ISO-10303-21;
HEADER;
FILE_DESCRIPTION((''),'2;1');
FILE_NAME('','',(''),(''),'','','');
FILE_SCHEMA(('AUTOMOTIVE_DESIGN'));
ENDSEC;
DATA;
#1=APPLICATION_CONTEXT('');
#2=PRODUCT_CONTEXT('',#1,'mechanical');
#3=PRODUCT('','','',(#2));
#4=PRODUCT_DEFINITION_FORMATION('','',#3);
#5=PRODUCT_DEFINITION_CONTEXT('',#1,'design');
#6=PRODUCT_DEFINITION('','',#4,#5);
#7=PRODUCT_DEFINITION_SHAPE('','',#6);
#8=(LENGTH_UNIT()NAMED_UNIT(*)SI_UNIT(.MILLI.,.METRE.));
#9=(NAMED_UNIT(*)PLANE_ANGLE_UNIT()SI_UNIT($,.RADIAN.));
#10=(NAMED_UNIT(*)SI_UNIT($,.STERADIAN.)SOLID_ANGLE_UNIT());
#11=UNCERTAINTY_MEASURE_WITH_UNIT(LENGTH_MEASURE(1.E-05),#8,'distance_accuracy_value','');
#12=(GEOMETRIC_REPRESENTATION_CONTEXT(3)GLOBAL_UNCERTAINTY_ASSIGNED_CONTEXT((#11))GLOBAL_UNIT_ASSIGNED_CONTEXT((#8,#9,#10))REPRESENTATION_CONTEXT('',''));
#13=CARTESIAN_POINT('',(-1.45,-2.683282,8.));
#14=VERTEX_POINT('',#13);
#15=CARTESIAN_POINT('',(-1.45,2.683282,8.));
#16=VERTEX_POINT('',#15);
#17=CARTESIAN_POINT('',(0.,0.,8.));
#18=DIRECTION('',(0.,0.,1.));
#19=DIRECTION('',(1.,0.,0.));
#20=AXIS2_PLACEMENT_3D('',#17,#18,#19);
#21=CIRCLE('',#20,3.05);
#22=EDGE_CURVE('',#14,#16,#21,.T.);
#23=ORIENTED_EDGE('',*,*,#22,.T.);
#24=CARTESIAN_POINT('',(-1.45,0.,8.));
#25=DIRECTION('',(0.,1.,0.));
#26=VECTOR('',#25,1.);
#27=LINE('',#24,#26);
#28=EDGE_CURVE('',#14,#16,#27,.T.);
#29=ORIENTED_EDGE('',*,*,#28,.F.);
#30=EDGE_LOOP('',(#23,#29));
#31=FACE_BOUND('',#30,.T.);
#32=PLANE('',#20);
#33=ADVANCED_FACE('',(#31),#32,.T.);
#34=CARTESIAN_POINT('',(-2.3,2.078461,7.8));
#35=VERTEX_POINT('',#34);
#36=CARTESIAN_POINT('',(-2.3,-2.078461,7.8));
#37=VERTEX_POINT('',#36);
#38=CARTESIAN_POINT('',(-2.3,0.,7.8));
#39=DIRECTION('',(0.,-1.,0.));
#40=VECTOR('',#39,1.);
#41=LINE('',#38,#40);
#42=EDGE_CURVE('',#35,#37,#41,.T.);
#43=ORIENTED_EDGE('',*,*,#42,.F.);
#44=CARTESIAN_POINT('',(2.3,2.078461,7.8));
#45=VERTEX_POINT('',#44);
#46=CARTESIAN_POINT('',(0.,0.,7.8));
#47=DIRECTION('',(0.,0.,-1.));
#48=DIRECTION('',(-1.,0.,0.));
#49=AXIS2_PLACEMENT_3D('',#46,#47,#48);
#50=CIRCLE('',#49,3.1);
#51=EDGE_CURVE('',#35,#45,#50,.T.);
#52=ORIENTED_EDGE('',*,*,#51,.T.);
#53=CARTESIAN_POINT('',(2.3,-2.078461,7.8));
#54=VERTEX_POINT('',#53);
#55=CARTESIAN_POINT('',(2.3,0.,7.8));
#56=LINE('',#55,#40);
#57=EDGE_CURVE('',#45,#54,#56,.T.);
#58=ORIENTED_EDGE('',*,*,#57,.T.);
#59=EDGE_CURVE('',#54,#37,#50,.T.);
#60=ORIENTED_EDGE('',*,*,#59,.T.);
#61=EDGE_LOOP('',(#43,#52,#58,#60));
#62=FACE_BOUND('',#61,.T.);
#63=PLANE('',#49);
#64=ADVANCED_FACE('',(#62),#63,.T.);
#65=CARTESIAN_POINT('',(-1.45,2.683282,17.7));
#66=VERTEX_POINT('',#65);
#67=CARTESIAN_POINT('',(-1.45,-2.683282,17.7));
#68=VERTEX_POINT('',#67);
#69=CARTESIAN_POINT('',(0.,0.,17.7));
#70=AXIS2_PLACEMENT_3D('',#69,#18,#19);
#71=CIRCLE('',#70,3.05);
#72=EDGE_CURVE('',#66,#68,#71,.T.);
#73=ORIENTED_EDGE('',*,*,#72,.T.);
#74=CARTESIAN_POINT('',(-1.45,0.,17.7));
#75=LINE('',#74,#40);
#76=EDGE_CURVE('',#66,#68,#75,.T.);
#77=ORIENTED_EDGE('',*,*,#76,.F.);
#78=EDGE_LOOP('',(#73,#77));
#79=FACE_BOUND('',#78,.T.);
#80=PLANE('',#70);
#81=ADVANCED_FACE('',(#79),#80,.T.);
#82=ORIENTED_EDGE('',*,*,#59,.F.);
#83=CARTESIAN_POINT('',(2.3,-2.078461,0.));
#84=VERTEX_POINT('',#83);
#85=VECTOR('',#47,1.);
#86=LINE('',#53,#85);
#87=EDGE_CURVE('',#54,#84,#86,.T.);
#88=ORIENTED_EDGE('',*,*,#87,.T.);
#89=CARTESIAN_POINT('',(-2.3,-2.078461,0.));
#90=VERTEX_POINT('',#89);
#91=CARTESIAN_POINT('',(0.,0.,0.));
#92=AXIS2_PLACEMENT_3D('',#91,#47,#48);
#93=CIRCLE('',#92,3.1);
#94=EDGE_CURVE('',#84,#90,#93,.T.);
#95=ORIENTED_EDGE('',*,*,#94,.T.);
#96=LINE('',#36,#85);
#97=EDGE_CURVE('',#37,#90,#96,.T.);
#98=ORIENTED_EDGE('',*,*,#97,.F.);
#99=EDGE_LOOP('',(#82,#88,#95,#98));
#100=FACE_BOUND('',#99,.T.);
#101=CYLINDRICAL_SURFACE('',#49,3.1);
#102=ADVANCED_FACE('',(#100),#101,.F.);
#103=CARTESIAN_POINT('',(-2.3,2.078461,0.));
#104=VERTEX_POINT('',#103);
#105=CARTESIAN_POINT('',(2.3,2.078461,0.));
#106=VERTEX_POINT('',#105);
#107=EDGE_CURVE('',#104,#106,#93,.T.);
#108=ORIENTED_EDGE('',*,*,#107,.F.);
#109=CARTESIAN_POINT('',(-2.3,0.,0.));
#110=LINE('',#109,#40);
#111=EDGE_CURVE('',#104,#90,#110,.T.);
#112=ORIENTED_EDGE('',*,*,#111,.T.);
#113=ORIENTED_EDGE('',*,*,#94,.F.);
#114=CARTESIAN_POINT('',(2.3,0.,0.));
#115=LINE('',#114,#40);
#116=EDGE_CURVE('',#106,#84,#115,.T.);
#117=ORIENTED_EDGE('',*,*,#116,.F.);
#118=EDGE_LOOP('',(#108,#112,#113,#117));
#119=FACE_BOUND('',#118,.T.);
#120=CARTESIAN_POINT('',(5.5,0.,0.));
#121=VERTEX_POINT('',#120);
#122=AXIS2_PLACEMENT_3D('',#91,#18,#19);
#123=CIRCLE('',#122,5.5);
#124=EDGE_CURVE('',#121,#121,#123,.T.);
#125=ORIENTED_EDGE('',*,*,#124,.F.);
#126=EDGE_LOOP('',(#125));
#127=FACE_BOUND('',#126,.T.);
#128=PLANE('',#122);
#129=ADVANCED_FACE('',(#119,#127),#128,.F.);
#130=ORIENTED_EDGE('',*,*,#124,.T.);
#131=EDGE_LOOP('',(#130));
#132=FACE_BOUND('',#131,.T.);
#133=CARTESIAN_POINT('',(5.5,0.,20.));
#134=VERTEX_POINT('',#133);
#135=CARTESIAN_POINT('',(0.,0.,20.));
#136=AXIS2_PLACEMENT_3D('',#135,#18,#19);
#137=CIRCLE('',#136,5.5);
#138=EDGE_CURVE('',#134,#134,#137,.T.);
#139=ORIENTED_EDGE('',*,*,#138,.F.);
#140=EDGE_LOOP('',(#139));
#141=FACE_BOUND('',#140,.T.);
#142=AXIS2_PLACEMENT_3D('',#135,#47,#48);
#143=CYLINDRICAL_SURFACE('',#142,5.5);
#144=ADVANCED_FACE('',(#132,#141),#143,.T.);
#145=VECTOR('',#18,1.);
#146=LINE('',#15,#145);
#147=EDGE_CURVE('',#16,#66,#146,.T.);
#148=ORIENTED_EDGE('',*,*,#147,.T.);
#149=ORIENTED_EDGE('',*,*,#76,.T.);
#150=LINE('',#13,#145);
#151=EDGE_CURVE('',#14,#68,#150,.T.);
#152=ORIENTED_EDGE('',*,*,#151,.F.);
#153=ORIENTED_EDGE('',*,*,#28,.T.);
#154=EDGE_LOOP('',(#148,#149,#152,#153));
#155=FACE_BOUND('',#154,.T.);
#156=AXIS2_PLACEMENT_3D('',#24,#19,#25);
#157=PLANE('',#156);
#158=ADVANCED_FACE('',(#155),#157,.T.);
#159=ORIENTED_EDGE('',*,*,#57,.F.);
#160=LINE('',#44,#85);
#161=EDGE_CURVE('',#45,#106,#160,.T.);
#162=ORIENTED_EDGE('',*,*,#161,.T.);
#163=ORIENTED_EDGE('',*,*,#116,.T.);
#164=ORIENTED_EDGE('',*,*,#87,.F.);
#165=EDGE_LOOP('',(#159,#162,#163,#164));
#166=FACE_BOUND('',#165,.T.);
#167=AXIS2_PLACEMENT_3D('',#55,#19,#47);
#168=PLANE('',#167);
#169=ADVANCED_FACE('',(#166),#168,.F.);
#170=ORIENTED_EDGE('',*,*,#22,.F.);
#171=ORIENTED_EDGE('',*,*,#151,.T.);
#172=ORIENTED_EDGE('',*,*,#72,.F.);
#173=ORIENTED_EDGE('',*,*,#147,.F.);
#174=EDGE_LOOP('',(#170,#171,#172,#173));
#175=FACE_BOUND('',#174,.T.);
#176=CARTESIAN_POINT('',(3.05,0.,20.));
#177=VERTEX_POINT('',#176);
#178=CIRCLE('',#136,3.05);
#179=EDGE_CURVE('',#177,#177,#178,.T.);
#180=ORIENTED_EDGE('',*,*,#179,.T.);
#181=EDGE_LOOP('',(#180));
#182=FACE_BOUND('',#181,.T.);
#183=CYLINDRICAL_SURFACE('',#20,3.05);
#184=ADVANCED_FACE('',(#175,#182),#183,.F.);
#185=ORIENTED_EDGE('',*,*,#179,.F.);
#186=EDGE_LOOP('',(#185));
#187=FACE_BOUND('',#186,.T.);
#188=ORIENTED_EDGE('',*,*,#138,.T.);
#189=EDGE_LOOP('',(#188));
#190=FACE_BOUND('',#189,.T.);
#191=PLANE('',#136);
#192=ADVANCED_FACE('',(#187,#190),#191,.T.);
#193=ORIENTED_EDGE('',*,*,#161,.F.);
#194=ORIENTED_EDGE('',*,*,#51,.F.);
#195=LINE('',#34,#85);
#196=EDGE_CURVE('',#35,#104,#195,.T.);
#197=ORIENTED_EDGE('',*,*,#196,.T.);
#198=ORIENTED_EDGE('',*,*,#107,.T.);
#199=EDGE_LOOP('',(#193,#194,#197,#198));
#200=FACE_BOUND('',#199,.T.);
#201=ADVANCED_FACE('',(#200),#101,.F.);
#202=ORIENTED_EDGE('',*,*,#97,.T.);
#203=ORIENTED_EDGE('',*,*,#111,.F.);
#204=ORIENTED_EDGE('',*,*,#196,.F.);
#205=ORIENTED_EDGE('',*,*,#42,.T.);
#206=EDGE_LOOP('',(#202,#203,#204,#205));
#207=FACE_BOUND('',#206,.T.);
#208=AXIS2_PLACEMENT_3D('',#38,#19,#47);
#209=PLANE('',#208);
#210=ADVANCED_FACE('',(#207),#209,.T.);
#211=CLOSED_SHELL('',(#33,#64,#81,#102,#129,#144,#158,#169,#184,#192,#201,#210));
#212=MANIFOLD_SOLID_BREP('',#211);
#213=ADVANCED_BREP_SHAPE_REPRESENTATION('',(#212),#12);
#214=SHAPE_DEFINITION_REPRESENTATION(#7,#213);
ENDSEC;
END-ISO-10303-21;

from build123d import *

# Parameters (mm, degrees)
SKETCH1_R           = 5.5
BOSS_EXTRUDE1_DEPTH = 20
CUT_EXTRUDE1_DEPTH  = 12
CUT_EXTRUDE2_DEPTH  = 7.8
SKETCH4_R           = 3.05
CUT_EXTRUDE3_DEPTH  = 2.3


with BuildPart() as part:
    # Sketch1 → Boss-Extrude1 (new body)
    with BuildSketch(Plane.XY):
        Circle(SKETCH1_R)
    extrude(amount=BOSS_EXTRUDE1_DEPTH)

    # Sketch2 → Cut-Extrude1 (cut)
    with BuildSketch(Plane.XY.offset(20)):
        with BuildLine():
            ThreePointArc((-1.45, -2.683281573), (3.05, 0), (-1.45, 2.683281573))
            Line((-1.45, 2.683281573), (-1.45, -2.683281573))
        make_face()
    extrude(amount=-CUT_EXTRUDE1_DEPTH, mode=Mode.SUBTRACT)

    # Sketch3 → Cut-Extrude2 (cut)
    with BuildSketch(Plane(origin=(0, 0, 0), x_dir=(-1, 0, 0), z_dir=(0, 0, -1))):
        with BuildLine():
            Line((2.3, -2.078460969), (2.3, 2.078460969))
            ThreePointArc((2.3, 2.078460969), (0, 3.1), (-2.3, 2.078460969))
            Line((-2.3, 2.078460969), (-2.3, -2.078460969))
            ThreePointArc((-2.3, -2.078460969), (0, -3.1), (2.3, -2.078460969))
        make_face()
    extrude(amount=-CUT_EXTRUDE2_DEPTH, mode=Mode.SUBTRACT)

    # Sketch4 → Cut-Extrude3 (cut)
    with BuildSketch(Plane.XY.offset(20)):
        Circle(SKETCH4_R)
    extrude(amount=-CUT_EXTRUDE3_DEPTH, mode=Mode.SUBTRACT)


solid = part.part
